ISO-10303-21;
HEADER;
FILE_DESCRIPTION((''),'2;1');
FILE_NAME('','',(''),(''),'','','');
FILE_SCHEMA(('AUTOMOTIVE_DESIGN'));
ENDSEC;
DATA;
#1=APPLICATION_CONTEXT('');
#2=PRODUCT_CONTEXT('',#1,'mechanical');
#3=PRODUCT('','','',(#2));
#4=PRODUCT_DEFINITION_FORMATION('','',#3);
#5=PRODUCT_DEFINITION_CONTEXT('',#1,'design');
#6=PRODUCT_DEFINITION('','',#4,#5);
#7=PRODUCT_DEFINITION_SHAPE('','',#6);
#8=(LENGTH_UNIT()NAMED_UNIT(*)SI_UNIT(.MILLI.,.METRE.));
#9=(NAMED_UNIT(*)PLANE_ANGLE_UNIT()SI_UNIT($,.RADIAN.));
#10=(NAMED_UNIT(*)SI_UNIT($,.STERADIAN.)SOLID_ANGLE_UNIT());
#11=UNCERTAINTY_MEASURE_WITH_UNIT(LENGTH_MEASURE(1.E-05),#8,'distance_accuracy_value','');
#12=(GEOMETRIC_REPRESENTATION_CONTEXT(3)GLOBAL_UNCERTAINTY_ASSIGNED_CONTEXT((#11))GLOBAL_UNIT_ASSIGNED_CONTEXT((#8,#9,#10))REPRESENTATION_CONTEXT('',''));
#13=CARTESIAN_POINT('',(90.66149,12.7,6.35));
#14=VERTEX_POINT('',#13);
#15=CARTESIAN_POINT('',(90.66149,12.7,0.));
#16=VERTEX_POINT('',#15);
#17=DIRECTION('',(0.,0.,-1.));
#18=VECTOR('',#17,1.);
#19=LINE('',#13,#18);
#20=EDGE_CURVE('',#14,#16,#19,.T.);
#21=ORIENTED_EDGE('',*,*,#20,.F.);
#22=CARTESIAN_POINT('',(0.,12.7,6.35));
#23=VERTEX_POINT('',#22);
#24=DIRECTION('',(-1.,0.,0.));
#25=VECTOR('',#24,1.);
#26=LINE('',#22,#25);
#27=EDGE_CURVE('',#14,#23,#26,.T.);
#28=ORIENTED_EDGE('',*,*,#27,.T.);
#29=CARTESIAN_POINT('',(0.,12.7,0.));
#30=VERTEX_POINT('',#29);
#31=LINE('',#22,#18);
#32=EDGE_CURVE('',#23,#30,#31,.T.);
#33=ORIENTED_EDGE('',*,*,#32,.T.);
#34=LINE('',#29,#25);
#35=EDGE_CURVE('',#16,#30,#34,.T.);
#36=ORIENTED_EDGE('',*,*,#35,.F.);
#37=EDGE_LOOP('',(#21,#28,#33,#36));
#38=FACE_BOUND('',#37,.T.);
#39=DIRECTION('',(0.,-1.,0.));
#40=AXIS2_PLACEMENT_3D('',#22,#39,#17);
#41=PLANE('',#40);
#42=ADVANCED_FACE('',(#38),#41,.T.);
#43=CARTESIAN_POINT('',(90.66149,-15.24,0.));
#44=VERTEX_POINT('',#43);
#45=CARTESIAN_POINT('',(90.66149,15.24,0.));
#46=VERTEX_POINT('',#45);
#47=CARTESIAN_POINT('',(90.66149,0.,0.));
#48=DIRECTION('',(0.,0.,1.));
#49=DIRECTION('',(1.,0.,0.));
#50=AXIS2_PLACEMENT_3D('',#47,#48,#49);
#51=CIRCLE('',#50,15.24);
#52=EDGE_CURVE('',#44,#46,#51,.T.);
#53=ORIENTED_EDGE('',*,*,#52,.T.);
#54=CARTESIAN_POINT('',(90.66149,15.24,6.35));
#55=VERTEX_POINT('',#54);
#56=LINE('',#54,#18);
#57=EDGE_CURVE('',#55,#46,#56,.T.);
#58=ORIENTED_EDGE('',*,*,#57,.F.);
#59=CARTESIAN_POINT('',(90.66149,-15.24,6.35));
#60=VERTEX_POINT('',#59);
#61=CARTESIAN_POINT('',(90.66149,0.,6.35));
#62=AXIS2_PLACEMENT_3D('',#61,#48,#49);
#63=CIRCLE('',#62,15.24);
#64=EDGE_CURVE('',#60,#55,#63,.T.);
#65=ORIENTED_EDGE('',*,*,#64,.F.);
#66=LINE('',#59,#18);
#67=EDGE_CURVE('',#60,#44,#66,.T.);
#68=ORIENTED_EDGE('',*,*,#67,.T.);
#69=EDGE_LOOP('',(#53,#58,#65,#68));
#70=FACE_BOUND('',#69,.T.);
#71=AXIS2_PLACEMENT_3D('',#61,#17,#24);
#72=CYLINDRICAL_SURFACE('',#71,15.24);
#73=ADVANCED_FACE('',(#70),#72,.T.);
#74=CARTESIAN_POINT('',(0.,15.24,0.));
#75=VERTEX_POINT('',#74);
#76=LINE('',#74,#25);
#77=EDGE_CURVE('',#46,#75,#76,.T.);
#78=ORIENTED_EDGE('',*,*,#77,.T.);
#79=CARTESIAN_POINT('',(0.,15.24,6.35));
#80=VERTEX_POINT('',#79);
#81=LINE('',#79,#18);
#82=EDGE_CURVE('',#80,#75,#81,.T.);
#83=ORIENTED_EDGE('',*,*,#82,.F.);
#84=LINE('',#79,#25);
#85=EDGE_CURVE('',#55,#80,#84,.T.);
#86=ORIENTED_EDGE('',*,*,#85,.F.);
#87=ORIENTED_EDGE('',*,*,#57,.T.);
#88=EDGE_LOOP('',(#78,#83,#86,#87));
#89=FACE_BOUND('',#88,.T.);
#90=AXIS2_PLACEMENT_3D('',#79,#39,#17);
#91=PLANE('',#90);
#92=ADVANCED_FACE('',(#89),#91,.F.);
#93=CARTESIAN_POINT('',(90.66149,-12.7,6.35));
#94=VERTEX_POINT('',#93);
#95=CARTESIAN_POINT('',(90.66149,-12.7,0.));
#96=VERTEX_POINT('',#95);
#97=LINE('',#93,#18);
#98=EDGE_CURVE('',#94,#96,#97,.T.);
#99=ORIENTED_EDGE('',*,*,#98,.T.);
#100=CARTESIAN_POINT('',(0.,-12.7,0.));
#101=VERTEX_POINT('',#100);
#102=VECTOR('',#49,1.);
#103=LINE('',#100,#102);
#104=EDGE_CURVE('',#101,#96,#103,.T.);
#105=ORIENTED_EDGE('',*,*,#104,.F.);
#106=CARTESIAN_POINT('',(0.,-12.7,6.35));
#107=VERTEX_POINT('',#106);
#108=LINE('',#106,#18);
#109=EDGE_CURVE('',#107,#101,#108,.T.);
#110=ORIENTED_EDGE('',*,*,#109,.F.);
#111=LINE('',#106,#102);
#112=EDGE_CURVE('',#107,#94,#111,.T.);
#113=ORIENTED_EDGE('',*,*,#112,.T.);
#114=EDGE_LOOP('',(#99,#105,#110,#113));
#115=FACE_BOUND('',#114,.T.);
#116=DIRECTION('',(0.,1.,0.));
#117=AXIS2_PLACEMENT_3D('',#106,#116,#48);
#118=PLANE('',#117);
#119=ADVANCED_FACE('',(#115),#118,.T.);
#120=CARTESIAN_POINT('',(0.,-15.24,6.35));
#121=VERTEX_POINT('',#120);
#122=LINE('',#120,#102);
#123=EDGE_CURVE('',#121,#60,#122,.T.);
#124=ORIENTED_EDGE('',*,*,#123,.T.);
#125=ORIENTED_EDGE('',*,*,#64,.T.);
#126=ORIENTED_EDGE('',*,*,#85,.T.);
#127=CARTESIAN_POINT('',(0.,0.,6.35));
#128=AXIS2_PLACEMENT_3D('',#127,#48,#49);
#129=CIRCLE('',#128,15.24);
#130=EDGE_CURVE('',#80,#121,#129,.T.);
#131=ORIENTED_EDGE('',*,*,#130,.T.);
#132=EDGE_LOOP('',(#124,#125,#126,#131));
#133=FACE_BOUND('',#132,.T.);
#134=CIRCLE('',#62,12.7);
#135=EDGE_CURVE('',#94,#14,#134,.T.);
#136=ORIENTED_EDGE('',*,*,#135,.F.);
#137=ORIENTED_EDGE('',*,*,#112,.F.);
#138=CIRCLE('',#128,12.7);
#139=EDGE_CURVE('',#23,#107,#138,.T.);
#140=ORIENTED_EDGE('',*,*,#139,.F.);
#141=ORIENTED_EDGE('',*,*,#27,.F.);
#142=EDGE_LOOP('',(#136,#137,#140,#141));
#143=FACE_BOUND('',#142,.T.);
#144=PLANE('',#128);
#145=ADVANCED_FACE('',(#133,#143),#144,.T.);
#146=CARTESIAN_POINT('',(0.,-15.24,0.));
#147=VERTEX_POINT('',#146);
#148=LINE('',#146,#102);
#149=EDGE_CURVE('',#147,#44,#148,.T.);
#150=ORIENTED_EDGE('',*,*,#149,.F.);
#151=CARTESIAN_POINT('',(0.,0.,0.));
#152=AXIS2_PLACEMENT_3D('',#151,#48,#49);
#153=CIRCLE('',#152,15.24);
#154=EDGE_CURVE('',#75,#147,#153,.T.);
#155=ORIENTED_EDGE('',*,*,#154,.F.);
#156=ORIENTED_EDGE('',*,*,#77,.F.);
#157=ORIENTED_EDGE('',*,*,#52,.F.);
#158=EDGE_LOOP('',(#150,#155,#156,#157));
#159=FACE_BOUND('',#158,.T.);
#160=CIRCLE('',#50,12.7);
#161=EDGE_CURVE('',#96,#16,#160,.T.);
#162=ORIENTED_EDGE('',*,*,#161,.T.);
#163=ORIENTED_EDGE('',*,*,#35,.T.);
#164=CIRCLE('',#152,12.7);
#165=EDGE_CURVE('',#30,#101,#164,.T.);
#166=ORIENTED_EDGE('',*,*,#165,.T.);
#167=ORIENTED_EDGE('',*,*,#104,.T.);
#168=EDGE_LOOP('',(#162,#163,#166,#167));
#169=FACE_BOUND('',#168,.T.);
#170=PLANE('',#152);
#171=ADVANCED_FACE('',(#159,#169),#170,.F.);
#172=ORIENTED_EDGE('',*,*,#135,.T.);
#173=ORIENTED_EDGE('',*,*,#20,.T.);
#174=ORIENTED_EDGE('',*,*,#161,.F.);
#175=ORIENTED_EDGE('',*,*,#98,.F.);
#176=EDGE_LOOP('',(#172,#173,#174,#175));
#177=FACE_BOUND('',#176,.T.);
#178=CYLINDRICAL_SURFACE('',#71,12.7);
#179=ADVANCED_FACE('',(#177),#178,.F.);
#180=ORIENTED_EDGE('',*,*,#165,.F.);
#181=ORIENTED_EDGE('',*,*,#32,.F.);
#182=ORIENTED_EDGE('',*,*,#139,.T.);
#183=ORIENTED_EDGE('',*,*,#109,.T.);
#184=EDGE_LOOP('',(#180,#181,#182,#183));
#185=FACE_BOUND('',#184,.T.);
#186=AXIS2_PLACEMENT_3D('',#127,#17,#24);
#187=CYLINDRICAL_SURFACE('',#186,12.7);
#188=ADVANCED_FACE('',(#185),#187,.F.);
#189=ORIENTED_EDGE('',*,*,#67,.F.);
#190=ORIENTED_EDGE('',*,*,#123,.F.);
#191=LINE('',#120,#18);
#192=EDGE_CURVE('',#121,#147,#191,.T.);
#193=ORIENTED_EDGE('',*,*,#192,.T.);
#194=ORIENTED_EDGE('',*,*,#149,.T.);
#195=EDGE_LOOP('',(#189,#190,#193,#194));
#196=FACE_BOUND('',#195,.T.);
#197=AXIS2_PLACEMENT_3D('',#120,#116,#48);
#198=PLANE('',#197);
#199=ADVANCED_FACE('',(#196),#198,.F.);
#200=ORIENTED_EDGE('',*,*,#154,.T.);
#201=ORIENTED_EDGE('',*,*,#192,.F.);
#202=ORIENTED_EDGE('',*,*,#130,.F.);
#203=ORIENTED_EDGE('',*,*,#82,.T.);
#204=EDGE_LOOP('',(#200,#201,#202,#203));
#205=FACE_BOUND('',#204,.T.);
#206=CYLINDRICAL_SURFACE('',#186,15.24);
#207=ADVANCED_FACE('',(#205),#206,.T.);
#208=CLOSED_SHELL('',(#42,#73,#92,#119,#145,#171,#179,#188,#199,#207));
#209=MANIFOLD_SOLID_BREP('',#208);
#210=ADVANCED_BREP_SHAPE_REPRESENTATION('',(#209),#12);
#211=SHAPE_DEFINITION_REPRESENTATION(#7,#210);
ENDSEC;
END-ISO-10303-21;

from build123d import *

# Parameters (mm, degrees)
BOSS_EXTRUDE1_DEPTH = 6.35


with BuildPart() as part:
    # Sketch1 → Boss-Extrude1 (new body)
    with BuildSketch(Plane.XY):
        with BuildLine():
            Line((0, 15.24), (90.66149, 15.24))
            ThreePointArc((90.66149, 15.24), (105.90149, 0), (90.66149, -15.24))
            Line((90.66149, -15.24), (0, -15.24))
            ThreePointArc((0, -15.24), (-15.24, 0), (0, 15.24))
        make_face()
        with BuildLine():
            Line((0, 12.7), (90.66149, 12.7))
            ThreePointArc((90.66149, 12.7), (103.36149, 0), (90.66149, -12.7))
            Line((90.66149, -12.7), (0, -12.7))
            ThreePointArc((0, -12.7), (-12.7, 0), (0, 12.7))
        make_face(mode=Mode.SUBTRACT)
    extrude(amount=BOSS_EXTRUDE1_DEPTH)


solid = part.part
